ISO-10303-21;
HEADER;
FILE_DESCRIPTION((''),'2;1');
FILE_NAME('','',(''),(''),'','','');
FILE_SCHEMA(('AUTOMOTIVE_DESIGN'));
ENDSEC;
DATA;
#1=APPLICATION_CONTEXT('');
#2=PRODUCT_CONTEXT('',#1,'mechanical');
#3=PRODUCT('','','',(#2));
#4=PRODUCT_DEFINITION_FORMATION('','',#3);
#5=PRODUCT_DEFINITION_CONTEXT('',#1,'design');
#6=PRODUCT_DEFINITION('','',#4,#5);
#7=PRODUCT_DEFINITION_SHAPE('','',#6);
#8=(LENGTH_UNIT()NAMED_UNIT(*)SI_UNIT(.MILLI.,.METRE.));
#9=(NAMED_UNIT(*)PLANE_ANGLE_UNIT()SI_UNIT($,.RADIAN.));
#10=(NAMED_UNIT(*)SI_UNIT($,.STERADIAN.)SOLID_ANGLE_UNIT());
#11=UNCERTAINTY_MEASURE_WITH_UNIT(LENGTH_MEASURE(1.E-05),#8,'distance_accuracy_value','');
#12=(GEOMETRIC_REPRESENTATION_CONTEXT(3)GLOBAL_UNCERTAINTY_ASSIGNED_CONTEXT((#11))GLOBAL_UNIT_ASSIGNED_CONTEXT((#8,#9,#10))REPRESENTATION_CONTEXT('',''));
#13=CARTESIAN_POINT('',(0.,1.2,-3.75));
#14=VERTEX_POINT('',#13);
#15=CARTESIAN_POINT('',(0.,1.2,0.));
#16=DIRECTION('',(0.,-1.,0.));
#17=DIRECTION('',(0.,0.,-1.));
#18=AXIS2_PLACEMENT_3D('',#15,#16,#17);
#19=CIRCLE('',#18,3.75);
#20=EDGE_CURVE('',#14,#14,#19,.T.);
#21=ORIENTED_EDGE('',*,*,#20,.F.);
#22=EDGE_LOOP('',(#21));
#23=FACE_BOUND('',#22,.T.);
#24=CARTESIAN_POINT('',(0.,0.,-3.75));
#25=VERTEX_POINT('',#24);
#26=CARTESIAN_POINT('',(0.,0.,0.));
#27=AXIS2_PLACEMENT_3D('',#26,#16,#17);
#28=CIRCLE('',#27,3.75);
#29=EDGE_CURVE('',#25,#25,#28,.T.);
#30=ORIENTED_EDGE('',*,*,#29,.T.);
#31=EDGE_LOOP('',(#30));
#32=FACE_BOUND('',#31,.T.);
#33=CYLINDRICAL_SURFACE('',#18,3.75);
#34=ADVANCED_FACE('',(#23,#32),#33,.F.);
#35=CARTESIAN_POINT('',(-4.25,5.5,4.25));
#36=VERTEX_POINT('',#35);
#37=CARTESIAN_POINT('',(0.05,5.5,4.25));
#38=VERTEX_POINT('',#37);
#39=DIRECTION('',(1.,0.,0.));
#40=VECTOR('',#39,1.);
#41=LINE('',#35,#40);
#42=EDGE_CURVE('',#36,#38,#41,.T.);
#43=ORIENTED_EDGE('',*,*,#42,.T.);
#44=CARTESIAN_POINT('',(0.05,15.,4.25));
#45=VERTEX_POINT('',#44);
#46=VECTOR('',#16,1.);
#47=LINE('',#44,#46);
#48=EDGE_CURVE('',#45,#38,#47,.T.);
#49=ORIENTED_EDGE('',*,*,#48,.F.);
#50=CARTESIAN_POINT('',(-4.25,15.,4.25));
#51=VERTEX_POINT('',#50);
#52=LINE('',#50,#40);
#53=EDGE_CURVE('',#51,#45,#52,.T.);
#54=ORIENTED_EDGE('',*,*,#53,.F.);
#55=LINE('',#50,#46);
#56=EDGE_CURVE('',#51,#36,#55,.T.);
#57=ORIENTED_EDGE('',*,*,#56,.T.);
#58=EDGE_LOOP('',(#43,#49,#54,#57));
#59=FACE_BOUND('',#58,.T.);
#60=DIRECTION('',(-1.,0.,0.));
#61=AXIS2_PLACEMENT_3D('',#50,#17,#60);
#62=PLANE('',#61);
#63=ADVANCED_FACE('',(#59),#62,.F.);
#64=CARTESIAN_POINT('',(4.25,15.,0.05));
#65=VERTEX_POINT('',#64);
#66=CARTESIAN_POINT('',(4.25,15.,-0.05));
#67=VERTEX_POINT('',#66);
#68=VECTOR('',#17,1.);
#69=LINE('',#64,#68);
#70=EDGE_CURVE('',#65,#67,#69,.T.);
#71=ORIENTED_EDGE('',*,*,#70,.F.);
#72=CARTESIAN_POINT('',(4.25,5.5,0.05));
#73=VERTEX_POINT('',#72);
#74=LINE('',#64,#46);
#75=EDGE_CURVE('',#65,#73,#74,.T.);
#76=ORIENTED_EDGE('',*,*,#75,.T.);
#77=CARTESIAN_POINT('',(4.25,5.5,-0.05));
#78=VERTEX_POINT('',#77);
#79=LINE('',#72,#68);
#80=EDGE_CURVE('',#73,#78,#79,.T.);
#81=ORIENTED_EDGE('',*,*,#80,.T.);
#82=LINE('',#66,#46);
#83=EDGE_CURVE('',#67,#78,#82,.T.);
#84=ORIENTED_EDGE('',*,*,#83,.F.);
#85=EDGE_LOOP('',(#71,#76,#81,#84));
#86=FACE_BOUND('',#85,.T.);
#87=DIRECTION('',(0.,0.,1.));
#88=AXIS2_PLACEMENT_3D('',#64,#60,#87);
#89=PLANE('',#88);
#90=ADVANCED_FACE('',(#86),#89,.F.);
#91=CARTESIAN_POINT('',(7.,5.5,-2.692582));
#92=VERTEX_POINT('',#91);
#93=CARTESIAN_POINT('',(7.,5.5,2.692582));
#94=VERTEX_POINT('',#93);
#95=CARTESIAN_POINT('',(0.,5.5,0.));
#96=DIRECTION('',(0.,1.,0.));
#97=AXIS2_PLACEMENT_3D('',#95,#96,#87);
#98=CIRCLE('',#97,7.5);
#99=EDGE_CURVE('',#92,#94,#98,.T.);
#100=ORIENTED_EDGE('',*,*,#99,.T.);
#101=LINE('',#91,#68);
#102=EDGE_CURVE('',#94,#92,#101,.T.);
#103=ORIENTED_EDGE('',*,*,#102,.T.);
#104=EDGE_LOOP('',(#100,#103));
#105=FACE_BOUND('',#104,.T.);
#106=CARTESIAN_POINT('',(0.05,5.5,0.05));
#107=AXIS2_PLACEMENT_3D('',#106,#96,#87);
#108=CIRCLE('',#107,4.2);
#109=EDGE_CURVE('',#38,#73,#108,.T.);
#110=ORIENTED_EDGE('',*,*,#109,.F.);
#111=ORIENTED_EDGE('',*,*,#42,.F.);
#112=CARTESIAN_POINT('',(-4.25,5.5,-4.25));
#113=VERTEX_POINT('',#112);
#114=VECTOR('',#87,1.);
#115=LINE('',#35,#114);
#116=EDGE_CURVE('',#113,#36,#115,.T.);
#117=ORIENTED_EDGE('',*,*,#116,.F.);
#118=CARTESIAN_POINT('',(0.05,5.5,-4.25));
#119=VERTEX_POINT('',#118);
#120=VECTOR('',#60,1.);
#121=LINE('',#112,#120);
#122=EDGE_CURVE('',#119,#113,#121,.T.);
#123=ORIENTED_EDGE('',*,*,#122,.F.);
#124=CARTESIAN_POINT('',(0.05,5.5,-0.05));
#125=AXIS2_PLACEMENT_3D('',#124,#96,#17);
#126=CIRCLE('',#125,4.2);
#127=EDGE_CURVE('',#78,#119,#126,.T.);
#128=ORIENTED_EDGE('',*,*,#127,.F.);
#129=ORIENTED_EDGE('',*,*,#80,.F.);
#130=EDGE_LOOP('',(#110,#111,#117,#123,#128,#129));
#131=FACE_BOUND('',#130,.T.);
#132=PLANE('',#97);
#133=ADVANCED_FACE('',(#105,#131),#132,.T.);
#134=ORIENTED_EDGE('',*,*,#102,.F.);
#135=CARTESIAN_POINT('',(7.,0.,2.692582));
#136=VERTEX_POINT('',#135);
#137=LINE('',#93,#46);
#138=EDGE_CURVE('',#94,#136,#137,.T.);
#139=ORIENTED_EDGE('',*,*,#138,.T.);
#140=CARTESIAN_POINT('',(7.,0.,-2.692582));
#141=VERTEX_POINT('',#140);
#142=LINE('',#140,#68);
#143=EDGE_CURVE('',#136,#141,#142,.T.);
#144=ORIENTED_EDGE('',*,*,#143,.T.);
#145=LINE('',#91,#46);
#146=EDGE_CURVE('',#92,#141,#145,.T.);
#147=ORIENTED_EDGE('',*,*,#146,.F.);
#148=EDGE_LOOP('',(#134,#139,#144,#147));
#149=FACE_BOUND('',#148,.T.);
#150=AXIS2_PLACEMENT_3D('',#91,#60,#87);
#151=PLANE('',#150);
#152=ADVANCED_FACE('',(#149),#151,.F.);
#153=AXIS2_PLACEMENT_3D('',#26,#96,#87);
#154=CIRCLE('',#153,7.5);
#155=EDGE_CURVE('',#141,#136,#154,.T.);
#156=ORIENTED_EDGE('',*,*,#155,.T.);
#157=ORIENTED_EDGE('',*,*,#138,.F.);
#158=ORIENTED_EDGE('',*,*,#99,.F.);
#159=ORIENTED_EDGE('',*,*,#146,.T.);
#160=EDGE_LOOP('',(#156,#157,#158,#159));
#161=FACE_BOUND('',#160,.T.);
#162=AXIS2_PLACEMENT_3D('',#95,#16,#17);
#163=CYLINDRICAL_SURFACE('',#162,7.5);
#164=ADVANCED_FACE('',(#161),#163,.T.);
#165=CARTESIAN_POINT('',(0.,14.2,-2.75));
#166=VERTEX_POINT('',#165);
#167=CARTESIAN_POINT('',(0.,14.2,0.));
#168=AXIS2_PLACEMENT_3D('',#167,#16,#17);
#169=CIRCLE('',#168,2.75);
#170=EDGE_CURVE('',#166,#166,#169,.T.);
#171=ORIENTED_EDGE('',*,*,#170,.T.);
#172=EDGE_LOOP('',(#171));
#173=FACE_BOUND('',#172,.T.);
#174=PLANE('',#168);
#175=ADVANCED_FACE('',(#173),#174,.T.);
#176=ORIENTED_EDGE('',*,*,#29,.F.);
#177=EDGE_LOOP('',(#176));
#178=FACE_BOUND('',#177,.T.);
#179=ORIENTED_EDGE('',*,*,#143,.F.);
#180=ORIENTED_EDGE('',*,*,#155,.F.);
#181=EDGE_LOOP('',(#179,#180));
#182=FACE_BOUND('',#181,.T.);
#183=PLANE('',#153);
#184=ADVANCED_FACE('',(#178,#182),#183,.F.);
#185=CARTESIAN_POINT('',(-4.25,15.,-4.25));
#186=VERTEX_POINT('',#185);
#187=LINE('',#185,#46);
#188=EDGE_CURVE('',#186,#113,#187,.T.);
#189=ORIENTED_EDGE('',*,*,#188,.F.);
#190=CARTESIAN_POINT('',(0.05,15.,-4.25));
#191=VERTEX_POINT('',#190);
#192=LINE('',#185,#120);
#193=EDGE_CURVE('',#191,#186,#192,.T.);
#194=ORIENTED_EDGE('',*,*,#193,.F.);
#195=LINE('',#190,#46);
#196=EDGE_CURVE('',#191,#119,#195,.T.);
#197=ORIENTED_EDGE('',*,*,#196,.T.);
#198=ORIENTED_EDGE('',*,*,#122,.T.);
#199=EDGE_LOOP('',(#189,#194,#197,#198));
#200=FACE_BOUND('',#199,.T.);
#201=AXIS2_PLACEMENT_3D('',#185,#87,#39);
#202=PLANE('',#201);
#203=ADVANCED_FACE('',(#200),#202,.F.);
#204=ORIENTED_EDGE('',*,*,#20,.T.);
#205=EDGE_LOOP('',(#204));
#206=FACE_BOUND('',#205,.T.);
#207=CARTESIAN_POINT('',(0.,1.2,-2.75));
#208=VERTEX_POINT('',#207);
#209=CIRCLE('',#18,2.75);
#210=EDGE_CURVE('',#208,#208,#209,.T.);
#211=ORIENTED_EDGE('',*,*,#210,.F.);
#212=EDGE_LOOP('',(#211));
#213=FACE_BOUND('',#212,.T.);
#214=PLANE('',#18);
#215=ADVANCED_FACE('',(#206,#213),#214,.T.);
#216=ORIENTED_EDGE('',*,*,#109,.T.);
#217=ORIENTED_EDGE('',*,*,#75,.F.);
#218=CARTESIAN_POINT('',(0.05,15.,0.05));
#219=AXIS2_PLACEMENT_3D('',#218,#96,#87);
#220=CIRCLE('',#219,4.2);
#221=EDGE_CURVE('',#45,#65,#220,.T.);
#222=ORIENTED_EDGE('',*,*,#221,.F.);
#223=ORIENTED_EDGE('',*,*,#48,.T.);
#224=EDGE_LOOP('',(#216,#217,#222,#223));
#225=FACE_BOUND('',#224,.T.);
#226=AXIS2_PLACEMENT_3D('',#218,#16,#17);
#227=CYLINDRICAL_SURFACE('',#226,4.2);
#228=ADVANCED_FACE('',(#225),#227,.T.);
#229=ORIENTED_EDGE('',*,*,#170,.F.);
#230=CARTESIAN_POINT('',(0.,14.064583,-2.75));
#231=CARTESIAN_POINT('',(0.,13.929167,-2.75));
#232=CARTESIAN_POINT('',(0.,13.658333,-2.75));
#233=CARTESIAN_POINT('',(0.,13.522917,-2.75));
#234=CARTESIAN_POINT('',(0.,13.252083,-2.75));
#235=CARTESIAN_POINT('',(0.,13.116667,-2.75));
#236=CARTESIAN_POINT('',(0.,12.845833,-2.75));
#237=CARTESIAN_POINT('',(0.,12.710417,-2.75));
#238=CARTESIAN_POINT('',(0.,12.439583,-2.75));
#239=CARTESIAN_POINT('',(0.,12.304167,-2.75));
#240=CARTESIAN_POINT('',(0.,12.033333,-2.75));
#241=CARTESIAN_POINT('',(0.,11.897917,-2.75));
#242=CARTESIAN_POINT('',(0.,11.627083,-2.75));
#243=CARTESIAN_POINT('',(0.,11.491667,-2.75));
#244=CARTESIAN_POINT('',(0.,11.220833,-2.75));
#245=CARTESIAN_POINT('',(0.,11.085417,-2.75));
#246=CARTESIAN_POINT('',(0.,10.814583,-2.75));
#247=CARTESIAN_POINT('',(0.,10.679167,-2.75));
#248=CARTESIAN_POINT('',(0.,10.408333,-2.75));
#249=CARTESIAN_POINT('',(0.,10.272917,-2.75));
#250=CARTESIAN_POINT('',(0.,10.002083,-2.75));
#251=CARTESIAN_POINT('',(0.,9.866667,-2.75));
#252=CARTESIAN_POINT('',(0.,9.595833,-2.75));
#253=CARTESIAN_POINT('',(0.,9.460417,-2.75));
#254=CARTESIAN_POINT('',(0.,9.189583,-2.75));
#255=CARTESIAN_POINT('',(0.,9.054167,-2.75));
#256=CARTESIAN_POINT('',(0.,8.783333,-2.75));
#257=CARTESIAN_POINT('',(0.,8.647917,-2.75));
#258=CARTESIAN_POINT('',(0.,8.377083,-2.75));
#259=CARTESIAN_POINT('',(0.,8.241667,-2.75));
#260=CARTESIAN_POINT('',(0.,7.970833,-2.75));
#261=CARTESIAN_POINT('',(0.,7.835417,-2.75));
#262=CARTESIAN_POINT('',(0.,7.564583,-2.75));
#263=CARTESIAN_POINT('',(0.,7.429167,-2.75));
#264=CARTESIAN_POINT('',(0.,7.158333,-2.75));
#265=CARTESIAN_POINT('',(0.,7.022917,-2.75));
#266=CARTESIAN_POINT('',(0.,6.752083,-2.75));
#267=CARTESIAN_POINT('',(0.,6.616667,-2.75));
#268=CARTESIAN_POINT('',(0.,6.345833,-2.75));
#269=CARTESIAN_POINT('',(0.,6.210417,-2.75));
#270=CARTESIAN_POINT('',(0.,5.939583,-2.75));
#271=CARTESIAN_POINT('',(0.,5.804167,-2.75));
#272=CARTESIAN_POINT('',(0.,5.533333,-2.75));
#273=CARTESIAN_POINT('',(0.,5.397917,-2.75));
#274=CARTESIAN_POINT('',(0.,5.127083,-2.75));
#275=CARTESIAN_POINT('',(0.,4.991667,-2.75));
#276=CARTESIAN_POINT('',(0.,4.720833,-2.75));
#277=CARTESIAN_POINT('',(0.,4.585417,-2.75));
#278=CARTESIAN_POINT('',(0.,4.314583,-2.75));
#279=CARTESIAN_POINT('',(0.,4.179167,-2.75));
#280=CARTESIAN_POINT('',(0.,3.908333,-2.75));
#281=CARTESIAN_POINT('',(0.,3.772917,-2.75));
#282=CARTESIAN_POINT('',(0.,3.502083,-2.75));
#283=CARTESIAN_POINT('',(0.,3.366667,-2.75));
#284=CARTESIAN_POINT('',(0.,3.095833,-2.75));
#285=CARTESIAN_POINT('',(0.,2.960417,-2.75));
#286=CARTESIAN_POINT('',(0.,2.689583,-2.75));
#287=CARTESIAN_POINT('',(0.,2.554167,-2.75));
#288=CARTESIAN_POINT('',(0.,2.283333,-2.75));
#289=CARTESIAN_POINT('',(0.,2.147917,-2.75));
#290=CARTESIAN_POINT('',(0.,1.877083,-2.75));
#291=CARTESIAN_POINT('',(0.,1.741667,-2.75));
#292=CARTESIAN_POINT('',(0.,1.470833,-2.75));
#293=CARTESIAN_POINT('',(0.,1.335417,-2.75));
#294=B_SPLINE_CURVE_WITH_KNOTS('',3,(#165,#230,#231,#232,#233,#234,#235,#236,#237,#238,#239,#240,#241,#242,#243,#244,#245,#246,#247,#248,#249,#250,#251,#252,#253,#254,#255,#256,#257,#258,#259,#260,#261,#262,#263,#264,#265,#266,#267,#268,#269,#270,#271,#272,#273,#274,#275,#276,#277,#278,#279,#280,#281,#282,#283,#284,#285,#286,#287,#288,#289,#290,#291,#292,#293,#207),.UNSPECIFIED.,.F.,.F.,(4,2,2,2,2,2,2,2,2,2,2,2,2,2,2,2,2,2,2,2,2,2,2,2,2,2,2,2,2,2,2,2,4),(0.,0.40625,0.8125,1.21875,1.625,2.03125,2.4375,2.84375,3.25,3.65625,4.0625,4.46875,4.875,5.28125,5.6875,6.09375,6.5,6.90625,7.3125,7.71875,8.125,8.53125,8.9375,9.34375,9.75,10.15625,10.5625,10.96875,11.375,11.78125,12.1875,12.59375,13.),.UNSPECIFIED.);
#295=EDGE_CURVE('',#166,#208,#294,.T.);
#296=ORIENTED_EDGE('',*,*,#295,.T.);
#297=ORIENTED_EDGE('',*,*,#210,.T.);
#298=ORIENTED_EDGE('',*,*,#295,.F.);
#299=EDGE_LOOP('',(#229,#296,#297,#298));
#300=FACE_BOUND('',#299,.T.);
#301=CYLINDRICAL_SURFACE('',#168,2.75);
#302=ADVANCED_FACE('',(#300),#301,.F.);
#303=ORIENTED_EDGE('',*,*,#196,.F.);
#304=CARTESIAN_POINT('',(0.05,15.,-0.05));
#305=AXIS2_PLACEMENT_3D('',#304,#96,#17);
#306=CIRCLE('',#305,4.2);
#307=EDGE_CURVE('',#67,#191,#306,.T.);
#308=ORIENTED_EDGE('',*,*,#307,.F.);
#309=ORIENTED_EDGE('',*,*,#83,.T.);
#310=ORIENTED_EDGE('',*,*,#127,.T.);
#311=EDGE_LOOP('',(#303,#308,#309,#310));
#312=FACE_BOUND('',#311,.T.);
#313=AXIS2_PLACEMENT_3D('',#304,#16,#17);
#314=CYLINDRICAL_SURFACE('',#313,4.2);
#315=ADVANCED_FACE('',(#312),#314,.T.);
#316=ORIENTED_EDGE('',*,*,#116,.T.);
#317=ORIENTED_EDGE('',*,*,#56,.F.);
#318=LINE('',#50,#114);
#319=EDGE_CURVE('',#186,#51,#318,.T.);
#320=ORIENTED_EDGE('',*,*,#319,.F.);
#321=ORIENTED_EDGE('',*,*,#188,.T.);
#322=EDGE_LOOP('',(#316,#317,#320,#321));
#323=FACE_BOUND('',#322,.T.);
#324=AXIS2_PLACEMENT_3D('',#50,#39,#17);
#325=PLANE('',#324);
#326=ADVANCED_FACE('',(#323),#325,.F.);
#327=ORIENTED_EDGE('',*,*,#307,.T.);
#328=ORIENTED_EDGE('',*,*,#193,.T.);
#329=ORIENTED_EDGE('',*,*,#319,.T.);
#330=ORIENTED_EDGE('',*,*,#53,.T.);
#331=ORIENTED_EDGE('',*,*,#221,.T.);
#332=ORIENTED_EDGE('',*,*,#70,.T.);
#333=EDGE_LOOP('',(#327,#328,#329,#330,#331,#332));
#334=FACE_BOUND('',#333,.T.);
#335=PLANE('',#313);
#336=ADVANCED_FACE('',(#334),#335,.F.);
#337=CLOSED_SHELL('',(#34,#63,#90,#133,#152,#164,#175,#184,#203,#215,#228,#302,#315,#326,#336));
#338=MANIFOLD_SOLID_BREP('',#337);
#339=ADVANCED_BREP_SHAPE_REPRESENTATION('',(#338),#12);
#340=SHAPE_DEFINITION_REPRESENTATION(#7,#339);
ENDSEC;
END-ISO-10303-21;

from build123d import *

# Parameters (mm, degrees)
SALIENTE_EXTRUIR1_DEPTH = 5.5
SALIENTE_EXTRUIR2_DEPTH = 9.5
CROQUIS3_R              = 3.75
CORTAR_EXTRUIR1_DEPTH   = 1.2
CROQUIS5_R              = 2.75
CORTAR_EXTRUIR3_DEPTH   = 13


with BuildPart() as part:
    # Croquis1 → Saliente-Extruir1 (new body)
    with BuildSketch(Plane(origin=(0, 0, 0), x_dir=(1, 0, 0), z_dir=(0, 1, 0))):
        with BuildLine():
            Line((7, 2.692582404), (7, -2.692582404))
            ThreePointArc((7, -2.692582404), (-7.5, 0), (7, 2.692582404))
        make_face()
    extrude(amount=SALIENTE_EXTRUIR1_DEPTH)

    # Croquis2 → Saliente-Extruir2 (add)
    with BuildSketch(Plane(origin=(0, 5.5, 0), x_dir=(1, 0, 0), z_dir=(0, 1, 0))):
        with BuildLine():
            Line((-4.25, -4.25), (0.05, -4.25))
            ThreePointArc((0.05, -4.25), (3.019848481, -3.019848481), (4.25, -0.05))
            Line((4.25, -0.05), (4.25, 0.05))
            ThreePointArc((4.25, 0.05), (3.019848481, 3.019848481), (0.05, 4.25))
            Line((0.05, 4.25), (-4.25, 4.25))
            Line((-4.25, 4.25), (-4.25, -4.25))
        make_face()
    extrude(amount=SALIENTE_EXTRUIR2_DEPTH)

    # Croquis3 → Cortar-Extruir1 (cut)
    with BuildSketch(Plane.XZ):
        with Locations(Location((0, 0, 0), (0, 0, 270))):
            Circle(CROQUIS3_R)
    extrude(amount=-CORTAR_EXTRUIR1_DEPTH, mode=Mode.SUBTRACT)

    # Croquis5 → Cortar-Extruir3 (cut)
    with BuildSketch(Plane.XZ.offset(-1.2)):
        with Locations(Location((0, 0, 0), (0, 0, 270))):
            Circle(CROQUIS5_R)
    extrude(amount=-CORTAR_EXTRUIR3_DEPTH, mode=Mode.SUBTRACT)


solid = part.part
